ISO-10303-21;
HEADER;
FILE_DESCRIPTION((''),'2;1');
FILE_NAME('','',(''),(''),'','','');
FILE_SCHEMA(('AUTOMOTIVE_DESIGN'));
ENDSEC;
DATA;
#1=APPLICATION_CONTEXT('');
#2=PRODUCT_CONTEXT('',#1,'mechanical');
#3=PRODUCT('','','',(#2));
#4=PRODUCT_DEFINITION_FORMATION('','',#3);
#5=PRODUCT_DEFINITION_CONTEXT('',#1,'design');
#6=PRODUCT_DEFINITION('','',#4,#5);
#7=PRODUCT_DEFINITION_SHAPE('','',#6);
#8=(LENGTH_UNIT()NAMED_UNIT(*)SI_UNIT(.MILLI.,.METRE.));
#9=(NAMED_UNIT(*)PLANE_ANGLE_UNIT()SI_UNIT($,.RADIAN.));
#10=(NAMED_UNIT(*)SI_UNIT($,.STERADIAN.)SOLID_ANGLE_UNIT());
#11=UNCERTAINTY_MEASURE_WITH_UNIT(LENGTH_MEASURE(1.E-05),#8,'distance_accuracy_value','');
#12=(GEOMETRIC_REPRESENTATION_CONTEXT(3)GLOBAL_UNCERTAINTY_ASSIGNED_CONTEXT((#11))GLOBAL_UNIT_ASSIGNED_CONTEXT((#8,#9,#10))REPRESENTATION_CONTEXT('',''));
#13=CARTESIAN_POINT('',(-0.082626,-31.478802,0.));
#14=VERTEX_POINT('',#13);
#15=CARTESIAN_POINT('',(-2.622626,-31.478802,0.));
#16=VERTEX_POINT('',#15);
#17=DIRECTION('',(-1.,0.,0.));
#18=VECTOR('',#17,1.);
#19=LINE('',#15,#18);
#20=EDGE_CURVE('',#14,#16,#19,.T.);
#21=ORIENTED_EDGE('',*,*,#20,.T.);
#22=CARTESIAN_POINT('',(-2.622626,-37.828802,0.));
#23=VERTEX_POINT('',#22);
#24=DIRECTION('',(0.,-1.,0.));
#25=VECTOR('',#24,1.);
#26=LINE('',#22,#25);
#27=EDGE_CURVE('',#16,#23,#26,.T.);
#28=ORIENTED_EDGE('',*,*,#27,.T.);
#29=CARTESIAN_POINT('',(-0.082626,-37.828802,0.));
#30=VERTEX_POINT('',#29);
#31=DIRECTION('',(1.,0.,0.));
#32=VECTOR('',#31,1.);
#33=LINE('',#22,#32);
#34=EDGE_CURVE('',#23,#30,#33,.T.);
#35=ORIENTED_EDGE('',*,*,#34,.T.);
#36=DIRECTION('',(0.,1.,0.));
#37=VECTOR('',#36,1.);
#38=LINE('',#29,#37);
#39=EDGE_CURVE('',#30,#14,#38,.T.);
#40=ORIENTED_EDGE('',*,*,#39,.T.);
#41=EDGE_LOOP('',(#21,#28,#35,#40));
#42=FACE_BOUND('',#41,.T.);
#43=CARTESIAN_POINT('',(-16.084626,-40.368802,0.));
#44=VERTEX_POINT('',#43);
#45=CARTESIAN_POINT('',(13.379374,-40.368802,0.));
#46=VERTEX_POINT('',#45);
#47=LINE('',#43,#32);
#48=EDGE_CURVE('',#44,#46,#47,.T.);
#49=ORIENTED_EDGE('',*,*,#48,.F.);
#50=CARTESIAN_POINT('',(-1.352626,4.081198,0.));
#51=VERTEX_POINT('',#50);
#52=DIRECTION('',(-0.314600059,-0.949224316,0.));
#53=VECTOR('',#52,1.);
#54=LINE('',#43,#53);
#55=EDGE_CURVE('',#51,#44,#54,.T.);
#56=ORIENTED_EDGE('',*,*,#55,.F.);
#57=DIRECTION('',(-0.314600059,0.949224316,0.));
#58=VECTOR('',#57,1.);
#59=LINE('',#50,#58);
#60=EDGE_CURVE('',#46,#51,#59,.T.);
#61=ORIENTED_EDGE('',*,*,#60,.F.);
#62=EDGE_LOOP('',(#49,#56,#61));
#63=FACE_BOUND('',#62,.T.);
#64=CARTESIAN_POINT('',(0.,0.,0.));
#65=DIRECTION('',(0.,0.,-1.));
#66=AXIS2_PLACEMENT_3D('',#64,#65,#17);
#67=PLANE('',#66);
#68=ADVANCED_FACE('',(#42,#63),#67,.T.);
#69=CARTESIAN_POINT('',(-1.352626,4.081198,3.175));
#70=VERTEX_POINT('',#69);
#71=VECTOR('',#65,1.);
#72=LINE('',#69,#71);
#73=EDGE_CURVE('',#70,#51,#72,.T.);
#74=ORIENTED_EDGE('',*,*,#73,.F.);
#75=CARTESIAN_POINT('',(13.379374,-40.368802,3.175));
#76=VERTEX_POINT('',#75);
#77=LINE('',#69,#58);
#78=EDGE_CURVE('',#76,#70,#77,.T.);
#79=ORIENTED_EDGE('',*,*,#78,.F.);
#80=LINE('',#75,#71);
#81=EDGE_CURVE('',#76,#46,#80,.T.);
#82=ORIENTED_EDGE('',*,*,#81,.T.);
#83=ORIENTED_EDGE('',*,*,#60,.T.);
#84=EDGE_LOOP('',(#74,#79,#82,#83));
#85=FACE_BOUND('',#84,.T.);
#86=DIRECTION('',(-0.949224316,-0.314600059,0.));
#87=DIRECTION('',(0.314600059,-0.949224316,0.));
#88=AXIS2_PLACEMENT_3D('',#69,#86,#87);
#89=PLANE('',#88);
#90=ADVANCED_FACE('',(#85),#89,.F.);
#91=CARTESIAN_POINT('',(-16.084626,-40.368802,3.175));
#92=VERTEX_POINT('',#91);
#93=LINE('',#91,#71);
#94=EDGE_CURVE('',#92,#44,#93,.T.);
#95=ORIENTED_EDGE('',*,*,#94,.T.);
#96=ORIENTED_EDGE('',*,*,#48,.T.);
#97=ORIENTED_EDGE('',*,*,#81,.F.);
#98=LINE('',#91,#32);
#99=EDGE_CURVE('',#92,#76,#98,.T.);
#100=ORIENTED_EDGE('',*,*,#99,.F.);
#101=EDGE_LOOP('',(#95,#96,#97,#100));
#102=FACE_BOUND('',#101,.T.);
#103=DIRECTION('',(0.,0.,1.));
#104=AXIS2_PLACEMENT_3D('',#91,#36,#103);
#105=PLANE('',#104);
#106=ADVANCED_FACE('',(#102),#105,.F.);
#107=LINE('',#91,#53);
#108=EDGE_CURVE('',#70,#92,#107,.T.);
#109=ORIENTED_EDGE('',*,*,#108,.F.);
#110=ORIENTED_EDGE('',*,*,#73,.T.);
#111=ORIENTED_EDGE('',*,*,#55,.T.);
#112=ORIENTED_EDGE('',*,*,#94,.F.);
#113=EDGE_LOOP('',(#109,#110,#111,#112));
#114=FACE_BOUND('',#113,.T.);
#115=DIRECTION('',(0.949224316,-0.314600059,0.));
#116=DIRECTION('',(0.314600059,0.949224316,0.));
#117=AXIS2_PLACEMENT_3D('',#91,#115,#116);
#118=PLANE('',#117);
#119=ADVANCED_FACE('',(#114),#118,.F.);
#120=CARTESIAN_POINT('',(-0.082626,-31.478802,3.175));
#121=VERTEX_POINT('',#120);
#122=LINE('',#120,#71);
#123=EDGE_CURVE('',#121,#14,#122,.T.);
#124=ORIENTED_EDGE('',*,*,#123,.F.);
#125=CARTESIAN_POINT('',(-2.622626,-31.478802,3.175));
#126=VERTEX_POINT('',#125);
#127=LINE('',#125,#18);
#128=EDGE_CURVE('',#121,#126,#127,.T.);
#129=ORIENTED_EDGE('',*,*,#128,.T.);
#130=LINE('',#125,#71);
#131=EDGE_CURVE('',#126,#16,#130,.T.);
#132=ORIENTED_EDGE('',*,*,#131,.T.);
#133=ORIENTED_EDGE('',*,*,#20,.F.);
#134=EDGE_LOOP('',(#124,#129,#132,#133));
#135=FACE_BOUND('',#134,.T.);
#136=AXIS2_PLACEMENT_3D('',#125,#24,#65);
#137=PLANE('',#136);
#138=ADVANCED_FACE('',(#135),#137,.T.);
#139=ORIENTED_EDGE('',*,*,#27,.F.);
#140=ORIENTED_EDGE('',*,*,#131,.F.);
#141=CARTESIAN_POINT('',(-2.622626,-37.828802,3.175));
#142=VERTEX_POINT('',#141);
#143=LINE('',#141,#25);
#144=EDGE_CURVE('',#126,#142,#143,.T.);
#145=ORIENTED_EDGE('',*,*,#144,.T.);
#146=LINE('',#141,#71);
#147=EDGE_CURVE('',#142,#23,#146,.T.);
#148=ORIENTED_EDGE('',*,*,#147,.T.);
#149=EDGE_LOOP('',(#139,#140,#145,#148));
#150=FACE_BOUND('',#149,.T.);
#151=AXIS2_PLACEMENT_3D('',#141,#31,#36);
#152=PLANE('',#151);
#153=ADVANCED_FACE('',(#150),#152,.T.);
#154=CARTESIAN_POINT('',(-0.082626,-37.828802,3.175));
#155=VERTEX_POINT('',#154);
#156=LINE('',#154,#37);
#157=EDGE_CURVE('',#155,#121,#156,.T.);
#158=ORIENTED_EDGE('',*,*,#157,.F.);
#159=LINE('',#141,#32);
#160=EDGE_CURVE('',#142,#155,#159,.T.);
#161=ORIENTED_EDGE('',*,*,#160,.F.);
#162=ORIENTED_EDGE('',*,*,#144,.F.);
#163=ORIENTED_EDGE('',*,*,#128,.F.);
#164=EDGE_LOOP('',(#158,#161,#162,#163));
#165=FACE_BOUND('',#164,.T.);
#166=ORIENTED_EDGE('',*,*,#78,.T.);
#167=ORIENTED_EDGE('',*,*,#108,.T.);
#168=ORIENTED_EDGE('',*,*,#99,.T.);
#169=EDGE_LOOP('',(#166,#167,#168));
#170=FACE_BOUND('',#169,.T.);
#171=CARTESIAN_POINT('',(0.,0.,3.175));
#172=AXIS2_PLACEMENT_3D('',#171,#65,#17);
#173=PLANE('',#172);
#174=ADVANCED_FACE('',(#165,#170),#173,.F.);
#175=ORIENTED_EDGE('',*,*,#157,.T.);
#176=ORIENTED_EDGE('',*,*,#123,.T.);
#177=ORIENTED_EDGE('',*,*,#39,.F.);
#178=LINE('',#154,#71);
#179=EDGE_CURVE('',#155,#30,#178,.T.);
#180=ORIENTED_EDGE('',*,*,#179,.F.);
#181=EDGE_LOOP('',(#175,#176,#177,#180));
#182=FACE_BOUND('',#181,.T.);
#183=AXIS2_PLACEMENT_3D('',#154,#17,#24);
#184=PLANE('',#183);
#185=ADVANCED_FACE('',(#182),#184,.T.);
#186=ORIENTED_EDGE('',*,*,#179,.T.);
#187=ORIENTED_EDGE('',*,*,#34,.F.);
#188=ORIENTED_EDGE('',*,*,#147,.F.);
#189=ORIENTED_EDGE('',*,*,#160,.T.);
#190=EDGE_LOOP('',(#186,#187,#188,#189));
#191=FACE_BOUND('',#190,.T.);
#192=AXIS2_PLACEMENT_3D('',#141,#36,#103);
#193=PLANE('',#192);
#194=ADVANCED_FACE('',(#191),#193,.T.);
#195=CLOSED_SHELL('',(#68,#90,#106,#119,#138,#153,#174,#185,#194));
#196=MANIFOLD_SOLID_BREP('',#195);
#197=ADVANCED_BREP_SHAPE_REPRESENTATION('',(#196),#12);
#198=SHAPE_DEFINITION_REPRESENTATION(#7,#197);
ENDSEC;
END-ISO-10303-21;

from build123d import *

# Parameters (mm, degrees)
SKETCH2_W           = 2.54
SKETCH2_H           = 6.35
BOSS_EXTRUDE1_DEPTH = 3.175


with BuildPart() as part:
    # Sketch2 → Boss-Extrude1 (new body)
    with BuildSketch(Plane.XY):
        Polygon((-16.084625597, -40.368802078), (-1.352625597, 4.081197922), (13.379374403, -40.368802078), align=None)
        with Locations((-1.352625597, -34.653802078)):
            Rectangle(SKETCH2_W, SKETCH2_H, mode=Mode.SUBTRACT)
    extrude(amount=BOSS_EXTRUDE1_DEPTH)


solid = part.part
